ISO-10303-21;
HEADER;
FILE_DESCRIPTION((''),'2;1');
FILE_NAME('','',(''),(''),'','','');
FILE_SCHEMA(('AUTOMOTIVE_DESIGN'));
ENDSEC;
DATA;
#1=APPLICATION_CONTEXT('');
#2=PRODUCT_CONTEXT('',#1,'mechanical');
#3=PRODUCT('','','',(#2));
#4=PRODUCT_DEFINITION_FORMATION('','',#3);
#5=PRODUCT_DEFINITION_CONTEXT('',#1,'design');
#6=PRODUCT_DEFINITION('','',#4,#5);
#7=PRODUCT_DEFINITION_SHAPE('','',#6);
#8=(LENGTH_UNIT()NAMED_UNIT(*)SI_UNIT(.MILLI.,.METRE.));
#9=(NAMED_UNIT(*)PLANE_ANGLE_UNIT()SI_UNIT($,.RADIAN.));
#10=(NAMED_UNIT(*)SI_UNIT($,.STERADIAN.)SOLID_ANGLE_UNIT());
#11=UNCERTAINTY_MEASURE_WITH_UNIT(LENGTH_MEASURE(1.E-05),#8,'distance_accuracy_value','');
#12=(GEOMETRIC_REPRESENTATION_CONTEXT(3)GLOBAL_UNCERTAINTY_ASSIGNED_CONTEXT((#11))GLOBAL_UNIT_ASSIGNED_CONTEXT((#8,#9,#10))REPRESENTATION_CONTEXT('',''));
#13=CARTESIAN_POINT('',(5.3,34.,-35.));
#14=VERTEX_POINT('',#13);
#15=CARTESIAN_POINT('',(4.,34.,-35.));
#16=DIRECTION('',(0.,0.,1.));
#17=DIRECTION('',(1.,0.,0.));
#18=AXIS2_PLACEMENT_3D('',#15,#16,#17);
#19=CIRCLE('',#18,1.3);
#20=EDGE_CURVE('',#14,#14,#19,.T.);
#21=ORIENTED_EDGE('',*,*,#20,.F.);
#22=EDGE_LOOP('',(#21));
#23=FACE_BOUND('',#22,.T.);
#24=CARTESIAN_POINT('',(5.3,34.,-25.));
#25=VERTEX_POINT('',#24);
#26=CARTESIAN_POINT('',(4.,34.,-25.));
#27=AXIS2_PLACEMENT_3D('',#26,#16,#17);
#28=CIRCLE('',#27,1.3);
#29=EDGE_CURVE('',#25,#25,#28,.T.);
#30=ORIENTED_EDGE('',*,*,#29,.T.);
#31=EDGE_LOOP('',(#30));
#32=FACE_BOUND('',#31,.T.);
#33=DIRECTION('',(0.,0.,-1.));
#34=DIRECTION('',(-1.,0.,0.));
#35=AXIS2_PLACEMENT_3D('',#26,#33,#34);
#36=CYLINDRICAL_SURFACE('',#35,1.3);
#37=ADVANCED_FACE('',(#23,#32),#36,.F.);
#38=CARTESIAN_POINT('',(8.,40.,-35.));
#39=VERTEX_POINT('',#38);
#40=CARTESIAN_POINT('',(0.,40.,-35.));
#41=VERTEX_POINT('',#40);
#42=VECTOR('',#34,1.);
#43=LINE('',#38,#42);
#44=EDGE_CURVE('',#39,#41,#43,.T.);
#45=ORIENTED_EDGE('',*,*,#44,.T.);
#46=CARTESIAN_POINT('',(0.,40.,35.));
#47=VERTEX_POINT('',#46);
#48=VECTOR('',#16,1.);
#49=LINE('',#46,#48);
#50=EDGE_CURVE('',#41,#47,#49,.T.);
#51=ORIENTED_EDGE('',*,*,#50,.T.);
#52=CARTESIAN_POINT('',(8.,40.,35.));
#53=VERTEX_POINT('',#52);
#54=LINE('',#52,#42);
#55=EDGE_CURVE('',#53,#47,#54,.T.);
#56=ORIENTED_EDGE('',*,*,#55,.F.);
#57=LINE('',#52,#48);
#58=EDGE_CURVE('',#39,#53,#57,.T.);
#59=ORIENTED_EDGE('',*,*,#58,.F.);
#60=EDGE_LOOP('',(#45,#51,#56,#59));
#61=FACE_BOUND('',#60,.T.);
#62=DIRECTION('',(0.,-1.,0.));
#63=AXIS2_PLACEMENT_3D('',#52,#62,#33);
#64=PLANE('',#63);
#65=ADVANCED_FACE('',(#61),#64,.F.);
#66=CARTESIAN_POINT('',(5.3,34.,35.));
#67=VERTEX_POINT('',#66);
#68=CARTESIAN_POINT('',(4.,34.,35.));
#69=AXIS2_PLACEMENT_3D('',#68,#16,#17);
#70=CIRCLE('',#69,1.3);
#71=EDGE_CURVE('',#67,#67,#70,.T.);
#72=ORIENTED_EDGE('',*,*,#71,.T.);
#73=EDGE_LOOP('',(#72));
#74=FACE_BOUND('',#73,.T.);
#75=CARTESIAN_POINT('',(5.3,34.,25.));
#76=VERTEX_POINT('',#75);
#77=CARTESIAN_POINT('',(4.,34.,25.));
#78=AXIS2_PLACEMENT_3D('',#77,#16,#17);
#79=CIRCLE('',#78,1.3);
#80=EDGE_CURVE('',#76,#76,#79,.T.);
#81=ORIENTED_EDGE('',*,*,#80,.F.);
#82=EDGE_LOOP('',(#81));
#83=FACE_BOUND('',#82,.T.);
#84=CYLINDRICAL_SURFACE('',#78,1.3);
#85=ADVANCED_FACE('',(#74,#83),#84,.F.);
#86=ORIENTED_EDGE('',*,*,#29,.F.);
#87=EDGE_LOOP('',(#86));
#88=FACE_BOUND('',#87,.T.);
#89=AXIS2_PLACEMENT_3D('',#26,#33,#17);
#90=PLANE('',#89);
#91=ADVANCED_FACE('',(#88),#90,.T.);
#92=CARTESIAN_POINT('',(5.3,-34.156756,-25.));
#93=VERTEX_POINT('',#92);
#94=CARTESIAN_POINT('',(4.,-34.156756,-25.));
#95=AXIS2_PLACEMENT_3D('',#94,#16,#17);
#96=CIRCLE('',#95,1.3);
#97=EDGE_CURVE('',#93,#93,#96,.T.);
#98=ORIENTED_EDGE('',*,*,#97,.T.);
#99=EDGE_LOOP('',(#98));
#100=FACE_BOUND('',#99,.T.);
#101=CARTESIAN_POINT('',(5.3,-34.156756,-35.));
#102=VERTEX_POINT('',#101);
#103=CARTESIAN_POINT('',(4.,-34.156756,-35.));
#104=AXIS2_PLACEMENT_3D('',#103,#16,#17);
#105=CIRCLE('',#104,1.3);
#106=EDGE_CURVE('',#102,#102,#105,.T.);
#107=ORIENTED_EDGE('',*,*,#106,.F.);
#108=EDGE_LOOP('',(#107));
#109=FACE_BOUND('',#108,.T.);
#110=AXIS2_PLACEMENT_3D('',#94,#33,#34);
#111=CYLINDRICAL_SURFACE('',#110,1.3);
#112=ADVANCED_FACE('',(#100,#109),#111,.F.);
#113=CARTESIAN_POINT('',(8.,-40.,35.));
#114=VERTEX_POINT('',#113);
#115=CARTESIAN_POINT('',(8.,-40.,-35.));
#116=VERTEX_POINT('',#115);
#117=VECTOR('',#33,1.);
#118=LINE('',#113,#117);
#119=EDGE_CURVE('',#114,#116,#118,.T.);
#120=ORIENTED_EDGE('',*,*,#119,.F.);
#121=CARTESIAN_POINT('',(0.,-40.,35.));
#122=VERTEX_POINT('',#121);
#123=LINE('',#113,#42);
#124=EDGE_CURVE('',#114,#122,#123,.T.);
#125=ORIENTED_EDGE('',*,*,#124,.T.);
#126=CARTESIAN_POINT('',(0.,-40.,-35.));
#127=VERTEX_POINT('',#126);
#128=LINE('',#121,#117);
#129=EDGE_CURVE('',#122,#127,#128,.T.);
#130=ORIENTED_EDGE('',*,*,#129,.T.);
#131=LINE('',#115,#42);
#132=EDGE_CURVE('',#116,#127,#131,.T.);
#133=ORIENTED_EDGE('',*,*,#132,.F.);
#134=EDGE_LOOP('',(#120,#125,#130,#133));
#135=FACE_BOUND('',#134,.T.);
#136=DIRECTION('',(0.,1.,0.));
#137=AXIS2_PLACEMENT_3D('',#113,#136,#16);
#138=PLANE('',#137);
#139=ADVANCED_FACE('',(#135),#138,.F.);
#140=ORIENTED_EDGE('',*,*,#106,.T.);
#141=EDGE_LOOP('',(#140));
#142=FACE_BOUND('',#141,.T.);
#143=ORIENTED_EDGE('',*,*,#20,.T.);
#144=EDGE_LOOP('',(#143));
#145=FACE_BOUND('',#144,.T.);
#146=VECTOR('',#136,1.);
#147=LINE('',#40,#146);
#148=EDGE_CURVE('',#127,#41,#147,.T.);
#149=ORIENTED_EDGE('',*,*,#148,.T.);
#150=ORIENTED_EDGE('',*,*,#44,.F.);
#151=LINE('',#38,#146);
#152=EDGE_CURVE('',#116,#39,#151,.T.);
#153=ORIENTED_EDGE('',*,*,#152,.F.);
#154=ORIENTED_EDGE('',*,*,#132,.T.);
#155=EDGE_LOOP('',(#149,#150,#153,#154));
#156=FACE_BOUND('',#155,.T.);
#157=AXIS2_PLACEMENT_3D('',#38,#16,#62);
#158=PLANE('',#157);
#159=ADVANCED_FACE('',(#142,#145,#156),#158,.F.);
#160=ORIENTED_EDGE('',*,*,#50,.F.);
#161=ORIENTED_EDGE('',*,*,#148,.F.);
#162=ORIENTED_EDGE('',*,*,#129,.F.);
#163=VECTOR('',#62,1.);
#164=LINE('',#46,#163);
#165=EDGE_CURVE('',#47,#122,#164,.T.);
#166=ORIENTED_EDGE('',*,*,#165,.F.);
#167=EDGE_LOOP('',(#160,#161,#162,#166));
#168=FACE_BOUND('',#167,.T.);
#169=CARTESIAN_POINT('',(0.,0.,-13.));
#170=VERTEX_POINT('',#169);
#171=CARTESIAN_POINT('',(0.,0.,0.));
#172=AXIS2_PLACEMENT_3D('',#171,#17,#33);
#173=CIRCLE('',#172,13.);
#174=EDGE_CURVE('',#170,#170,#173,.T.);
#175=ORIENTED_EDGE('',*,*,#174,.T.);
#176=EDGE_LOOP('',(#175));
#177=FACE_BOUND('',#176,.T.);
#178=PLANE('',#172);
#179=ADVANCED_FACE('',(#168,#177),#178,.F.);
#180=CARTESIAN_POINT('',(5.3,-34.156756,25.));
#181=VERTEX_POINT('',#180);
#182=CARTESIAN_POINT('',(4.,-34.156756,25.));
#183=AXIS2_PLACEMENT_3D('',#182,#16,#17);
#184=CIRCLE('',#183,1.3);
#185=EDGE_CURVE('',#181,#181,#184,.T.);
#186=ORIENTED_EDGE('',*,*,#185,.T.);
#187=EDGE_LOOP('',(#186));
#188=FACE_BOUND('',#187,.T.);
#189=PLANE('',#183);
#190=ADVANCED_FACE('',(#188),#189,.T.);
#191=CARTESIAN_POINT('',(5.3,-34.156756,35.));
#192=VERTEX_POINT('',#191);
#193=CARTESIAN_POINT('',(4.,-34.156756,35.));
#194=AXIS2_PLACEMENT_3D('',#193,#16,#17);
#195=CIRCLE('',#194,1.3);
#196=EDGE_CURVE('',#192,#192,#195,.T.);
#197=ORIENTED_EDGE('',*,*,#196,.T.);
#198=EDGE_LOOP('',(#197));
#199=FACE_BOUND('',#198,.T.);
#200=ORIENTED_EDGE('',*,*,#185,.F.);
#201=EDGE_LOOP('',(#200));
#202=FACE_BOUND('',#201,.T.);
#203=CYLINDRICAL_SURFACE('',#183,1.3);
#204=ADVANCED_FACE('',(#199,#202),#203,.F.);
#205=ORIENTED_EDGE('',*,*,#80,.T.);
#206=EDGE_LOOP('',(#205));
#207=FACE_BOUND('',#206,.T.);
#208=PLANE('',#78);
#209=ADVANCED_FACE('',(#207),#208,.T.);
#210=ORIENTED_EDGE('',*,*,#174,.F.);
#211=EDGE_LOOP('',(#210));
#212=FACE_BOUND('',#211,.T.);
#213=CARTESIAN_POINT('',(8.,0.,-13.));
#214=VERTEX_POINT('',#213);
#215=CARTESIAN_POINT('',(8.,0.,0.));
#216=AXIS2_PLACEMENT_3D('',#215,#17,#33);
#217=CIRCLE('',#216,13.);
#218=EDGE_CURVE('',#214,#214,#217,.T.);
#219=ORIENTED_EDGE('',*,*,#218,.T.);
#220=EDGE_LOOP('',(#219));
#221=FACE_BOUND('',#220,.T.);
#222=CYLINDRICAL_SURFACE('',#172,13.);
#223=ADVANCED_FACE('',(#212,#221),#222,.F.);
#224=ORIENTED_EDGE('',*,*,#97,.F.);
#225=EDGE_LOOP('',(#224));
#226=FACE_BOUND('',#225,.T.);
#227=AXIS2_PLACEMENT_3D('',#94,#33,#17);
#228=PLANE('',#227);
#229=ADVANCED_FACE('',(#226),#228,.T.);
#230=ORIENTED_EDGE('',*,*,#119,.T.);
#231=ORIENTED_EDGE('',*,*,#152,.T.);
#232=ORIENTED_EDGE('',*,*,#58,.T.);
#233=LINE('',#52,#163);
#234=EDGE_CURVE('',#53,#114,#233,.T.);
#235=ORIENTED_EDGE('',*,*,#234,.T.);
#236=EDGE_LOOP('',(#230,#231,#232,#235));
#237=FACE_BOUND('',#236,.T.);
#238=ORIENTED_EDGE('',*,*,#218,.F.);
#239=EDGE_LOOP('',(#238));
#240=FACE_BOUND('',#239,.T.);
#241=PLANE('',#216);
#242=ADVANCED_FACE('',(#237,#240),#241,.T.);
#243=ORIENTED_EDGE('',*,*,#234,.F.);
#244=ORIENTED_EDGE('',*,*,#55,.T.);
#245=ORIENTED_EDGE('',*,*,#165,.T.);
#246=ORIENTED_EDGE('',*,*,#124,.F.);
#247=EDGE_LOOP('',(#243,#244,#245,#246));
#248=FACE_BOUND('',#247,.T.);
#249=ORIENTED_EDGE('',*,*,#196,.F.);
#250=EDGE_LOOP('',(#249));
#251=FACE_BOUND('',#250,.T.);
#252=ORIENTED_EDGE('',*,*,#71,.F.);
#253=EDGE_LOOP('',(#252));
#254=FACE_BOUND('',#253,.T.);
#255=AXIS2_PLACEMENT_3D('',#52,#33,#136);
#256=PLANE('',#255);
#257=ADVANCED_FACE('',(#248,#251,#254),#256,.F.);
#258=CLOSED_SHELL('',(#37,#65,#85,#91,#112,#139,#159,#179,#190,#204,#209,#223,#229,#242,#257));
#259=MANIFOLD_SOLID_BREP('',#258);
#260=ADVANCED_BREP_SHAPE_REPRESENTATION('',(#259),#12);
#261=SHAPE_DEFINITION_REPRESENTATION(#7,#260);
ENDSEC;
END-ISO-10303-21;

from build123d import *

# Parameters (mm, degrees)
SKETCH_1_W          = 70
SKETCH_1_H          = 80
EXTRUDE_1_DEPTH     = 8
SKETCH_4_R          = 13
CUT_EXTRUDE_2_DEPTH = 8
SKETCH_5_R          = 1.3
CUT_EXTRUDE_3_DEPTH = 10


with BuildPart() as part:
    # 草图1 → 凸台-拉伸1 (new body)
    with BuildSketch(Plane(origin=(0, 0, 0), x_dir=(0, 0, -1), z_dir=(1, 0, 0))):
        Rectangle(SKETCH_1_W, SKETCH_1_H)
    extrude(amount=EXTRUDE_1_DEPTH)

    # 草图4 → 切除-拉伸2 (cut)
    with BuildSketch(Plane(origin=(8, 0, 0), x_dir=(0, 0, -1), z_dir=(1, 0, 0))):
        Circle(SKETCH_4_R)
    extrude(amount=-CUT_EXTRUDE_2_DEPTH, mode=Mode.SUBTRACT)

    # 草图5 → 切除-拉伸3 (cut)
    with BuildSketch(Plane.XY.offset(35)):
        with Locations((4, 34)):
            Circle(SKETCH_5_R)
        with Locations((4, -34.156756408)):
            Circle(SKETCH_5_R)
    cut_extrude_3 = extrude(amount=-CUT_EXTRUDE_3_DEPTH, mode=Mode.SUBTRACT)

    # 镜向1: 切除-拉伸3 across plane
    add(cut_extrude_3.mirror(Plane.XY), mode=Mode.SUBTRACT)


solid = part.part
